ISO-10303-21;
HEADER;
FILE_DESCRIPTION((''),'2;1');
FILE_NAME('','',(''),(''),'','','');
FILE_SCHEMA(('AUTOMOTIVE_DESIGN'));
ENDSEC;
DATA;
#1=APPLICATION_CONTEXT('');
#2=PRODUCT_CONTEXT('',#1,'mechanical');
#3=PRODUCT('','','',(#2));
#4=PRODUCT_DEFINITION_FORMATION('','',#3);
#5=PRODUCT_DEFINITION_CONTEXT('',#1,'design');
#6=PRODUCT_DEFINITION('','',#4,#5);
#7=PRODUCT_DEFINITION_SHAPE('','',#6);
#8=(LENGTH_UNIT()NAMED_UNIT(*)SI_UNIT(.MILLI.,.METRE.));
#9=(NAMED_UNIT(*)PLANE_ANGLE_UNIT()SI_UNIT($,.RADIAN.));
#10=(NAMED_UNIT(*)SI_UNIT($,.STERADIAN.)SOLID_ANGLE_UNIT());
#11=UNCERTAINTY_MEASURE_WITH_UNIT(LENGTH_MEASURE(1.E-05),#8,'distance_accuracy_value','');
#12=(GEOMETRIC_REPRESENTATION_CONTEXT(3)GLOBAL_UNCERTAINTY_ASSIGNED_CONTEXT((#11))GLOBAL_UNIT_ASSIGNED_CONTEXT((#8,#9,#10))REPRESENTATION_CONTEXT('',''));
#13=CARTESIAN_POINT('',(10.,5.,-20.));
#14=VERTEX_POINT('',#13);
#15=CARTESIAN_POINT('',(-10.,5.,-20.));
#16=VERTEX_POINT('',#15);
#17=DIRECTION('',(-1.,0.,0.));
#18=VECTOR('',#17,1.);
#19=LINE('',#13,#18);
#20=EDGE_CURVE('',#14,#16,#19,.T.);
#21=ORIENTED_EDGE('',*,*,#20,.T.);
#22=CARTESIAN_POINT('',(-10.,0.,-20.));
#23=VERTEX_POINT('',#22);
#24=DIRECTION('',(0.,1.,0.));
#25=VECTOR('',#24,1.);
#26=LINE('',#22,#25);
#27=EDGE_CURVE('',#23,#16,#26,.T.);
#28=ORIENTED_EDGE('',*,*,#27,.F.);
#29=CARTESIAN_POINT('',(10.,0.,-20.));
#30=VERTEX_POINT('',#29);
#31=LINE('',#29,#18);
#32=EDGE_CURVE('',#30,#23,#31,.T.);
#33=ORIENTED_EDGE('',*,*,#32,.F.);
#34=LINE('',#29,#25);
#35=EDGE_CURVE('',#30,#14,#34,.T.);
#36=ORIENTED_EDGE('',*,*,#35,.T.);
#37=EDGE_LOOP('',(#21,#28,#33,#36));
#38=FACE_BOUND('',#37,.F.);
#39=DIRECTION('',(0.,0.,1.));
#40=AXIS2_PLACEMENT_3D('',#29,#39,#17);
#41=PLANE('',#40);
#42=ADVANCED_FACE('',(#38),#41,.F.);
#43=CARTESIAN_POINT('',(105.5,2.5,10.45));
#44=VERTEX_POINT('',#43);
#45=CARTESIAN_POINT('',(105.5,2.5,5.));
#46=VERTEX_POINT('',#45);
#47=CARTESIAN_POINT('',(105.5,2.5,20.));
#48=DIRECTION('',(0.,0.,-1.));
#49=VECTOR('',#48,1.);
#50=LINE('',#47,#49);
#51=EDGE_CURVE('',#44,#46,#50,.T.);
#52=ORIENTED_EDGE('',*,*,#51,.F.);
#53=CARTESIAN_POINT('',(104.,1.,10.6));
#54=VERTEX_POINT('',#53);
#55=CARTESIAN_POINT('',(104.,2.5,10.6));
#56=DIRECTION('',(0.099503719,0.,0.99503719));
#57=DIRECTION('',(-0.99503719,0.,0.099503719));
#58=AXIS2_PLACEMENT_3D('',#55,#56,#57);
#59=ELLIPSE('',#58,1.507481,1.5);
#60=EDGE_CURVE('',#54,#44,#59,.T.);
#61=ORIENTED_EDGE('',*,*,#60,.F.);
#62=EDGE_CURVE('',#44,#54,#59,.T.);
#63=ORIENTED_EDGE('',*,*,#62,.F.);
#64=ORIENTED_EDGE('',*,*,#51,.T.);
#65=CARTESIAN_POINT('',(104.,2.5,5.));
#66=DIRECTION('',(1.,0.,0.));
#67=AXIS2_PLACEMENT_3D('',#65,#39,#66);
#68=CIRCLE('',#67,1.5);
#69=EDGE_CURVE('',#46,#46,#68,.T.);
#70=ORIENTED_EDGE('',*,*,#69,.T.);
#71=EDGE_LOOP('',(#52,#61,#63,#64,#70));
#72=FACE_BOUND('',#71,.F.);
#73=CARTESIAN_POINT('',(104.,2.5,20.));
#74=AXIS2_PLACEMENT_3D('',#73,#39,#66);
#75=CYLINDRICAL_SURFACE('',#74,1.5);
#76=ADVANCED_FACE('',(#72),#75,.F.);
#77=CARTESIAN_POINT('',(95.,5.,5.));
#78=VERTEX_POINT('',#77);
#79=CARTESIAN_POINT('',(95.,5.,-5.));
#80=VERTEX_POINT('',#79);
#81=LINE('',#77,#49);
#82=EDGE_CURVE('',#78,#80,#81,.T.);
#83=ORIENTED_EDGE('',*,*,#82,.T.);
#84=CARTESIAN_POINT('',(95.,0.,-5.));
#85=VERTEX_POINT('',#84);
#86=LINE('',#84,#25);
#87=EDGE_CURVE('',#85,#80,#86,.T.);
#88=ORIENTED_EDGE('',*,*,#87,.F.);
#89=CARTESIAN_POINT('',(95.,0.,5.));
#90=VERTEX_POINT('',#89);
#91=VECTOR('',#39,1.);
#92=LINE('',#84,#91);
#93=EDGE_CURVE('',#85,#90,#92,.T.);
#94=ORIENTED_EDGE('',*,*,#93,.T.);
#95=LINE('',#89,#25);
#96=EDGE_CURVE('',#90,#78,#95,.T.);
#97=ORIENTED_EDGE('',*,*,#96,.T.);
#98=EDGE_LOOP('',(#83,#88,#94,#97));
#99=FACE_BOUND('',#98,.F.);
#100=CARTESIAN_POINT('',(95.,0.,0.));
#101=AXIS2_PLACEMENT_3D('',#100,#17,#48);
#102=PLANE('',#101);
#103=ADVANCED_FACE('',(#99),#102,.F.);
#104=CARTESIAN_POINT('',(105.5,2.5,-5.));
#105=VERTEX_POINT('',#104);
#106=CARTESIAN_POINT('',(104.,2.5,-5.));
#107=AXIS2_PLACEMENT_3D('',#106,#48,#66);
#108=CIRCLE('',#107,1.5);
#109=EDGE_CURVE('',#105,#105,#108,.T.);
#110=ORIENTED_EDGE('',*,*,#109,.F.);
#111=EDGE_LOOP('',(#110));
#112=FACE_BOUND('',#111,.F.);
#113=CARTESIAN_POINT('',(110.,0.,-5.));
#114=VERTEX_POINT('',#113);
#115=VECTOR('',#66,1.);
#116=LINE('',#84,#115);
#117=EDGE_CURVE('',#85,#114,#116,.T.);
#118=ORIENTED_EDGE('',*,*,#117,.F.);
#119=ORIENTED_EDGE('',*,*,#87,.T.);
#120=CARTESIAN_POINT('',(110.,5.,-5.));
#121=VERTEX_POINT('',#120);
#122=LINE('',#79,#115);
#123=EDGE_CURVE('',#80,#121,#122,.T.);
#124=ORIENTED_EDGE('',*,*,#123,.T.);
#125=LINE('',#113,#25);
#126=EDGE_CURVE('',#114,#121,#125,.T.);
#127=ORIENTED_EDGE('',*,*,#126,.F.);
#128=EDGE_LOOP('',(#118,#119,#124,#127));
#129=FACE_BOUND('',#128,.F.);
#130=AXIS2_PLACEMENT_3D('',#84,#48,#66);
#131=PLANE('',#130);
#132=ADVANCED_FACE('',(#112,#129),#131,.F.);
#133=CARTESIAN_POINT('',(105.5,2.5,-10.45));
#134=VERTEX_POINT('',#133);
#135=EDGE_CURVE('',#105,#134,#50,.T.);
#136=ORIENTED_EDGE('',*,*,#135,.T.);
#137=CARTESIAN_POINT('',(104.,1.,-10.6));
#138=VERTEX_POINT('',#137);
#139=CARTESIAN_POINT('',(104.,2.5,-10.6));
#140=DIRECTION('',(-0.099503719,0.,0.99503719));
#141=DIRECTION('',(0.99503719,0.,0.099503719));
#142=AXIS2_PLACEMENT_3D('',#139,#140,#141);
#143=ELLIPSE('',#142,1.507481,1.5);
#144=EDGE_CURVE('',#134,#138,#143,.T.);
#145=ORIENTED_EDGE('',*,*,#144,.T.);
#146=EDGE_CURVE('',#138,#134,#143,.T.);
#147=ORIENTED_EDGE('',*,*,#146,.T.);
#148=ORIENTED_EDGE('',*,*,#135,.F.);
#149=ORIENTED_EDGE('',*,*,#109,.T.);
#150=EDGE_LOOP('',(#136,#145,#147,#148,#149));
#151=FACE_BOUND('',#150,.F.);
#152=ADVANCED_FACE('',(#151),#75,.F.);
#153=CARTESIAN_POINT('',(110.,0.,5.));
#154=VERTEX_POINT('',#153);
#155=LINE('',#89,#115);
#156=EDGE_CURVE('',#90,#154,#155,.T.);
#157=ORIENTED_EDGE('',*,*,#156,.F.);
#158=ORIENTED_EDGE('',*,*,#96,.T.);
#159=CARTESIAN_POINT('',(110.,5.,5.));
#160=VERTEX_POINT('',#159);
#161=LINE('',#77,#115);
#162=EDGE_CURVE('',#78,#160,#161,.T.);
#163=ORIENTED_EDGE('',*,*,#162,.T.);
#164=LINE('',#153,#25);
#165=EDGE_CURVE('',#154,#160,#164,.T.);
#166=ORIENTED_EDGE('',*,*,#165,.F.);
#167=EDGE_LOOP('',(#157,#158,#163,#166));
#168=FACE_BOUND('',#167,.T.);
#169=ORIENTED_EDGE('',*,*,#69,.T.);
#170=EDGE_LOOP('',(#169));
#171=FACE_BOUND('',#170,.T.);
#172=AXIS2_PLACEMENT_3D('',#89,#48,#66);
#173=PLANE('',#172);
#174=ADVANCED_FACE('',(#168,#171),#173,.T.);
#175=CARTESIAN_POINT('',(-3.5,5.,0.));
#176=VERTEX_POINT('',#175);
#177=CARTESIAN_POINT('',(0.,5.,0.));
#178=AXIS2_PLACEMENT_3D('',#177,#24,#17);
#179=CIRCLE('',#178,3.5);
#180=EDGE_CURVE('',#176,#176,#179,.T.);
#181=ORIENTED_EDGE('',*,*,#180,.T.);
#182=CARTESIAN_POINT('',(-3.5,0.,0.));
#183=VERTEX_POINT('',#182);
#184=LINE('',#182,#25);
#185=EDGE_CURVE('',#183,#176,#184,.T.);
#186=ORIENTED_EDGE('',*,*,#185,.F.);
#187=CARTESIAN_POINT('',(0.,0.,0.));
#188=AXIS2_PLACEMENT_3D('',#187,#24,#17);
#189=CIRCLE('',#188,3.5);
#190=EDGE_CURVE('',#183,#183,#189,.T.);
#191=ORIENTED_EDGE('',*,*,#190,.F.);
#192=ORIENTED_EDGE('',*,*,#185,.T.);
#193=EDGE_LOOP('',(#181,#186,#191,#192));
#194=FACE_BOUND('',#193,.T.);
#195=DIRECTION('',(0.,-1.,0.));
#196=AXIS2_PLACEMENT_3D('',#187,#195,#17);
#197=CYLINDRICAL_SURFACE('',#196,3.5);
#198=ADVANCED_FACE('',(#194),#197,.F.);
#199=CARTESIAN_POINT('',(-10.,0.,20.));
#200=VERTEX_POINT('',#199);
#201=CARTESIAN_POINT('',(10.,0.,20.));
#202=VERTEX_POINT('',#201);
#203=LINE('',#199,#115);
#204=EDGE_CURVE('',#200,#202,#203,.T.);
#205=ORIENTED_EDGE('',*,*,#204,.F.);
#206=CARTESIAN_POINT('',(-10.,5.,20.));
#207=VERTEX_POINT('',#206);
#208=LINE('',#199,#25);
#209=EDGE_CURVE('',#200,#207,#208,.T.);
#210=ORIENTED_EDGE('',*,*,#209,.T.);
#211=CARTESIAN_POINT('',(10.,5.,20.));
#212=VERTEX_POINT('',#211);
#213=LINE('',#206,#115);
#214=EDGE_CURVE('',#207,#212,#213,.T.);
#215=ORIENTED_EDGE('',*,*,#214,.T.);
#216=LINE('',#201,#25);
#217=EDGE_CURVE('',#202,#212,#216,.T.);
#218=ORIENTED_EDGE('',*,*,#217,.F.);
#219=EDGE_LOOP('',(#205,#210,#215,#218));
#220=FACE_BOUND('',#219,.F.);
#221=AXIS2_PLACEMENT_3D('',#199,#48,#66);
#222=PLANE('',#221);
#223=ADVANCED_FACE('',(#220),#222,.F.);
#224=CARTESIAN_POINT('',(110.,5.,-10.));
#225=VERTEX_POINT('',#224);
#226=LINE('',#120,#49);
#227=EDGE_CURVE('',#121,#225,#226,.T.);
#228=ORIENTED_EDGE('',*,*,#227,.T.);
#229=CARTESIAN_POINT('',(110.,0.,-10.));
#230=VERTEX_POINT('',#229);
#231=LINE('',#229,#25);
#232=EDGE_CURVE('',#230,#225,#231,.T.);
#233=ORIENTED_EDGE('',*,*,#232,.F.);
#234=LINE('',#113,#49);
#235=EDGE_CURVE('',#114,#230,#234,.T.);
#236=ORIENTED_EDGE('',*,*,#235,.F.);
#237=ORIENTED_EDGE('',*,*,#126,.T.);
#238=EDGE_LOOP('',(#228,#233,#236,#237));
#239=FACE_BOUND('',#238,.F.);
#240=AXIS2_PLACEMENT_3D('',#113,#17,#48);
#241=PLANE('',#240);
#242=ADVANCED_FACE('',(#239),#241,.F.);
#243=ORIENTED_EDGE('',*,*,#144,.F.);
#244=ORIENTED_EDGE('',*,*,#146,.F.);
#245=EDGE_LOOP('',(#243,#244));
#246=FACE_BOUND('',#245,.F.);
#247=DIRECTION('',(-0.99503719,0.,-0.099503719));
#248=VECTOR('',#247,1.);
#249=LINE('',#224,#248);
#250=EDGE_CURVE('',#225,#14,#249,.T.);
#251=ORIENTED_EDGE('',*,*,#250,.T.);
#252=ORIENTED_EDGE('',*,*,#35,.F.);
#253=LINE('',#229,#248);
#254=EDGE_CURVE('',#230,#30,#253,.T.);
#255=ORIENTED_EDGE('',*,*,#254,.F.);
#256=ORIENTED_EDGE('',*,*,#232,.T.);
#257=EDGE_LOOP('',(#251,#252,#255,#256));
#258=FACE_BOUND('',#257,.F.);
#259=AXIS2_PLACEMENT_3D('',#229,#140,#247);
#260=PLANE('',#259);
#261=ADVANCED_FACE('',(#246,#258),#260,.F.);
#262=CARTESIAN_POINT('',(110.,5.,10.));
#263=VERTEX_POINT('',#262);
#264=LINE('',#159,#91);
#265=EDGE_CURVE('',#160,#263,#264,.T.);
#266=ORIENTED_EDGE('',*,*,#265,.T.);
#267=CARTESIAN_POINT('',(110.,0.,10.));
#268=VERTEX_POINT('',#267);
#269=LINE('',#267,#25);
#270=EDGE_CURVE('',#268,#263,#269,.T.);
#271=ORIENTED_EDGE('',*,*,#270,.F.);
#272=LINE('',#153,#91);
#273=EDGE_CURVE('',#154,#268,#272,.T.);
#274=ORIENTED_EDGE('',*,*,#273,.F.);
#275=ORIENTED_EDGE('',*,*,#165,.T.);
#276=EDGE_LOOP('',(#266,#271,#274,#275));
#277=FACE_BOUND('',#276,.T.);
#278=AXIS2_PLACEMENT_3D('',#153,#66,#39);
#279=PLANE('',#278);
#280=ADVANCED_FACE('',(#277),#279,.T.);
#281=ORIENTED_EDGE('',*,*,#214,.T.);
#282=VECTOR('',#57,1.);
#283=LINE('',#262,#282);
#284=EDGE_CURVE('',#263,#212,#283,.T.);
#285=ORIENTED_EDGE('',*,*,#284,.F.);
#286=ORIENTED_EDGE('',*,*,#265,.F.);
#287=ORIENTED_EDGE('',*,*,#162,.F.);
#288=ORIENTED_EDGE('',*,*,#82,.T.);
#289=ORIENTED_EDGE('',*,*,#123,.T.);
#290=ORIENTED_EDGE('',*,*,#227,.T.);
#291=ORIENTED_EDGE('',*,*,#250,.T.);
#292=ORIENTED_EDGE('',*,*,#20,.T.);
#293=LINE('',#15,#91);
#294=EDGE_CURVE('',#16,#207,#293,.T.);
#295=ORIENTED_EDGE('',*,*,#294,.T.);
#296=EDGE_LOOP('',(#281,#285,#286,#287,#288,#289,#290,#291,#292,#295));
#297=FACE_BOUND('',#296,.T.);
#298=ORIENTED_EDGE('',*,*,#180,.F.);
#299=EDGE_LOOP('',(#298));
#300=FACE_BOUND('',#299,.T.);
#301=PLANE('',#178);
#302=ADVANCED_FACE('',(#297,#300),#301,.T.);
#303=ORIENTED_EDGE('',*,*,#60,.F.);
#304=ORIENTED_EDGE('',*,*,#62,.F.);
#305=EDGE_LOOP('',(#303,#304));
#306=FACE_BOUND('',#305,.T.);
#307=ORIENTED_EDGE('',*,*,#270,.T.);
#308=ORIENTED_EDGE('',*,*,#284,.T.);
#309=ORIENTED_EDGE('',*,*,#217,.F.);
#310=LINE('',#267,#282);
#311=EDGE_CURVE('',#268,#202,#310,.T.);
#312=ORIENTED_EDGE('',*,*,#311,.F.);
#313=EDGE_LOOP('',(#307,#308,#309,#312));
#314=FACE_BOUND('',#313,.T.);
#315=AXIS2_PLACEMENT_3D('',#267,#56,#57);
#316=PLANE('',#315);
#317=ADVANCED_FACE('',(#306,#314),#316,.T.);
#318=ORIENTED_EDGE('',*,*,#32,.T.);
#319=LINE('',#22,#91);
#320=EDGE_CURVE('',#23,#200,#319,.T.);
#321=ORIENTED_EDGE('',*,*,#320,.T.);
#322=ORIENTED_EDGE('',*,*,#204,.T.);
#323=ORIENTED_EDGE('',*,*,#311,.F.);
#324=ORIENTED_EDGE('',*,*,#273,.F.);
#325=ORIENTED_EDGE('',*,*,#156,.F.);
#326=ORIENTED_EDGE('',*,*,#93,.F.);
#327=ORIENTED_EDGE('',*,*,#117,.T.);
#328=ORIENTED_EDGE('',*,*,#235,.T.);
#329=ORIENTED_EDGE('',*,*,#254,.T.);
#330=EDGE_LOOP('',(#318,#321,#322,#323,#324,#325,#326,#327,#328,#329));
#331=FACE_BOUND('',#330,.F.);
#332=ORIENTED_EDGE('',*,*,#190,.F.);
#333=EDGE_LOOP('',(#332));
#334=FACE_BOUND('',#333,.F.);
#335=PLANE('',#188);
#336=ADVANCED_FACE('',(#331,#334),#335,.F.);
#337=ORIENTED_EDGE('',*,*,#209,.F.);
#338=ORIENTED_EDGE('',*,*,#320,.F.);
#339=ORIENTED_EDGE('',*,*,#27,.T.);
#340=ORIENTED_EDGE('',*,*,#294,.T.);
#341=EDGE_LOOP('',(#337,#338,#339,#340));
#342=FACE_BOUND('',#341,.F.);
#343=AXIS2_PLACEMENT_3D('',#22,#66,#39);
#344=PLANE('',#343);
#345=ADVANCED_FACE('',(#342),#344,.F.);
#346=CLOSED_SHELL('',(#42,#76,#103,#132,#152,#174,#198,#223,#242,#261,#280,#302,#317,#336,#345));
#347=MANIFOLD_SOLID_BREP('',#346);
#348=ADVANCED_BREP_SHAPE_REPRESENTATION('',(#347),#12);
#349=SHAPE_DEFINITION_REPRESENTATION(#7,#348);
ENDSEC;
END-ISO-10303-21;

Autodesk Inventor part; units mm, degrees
ref_plane "YZ Plane" through (0, 0, 0) normal (1, 0, 0) x (0, 1, 0)
ref_plane "XZ Plane" through (0, 0, 0) normal (0, 1, 0) x (-1, 0, 0)
ref_plane "XY Plane" through (0, 0, 0) normal (0, 0, 1) x (1, 0, 0)
sketch "草圖1" plane through (0, 0, 0) normal (0, 1, 0) x (-1, 0, 0)
  circle A0 centre (0, 0) radius 3.5
  line L0 (10, 20) -> (-10, 20)
  line L1 (-10, 20) -> (-10, -20)
  line L2 (-10, -20) -> (10, -20)
  line L3 (10, -20) -> (10, 20)
  line L4 (10, 20) -> (-10, -20) construction
  line L5 (-10, 20) -> (10, -20) construction
  line L6 (-95, 0) -> (-95, 5)
  line L7 (-95, 5) -> (-95, -5)
  line L8 (-95, -5) -> (-110, -5)
  line L9 (-110, -5) -> (-110, -10)
  line L10 (-110, -10) -> (-10, -20)
  line L11 (-95, -5) -> (-95, 5)
  line L12 (-95, 5) -> (-110, 5)
  line L13 (-110, 5) -> (-110, 10)
  line L14 (-110, 10) -> (-10, 20)
  dimension "d0" = 7
  dimension "d1" = 20
  dimension "d2" = 40
  dimension "d8" = 20
  dimension "d9" = 10
  dimension "d10" = 120
  dimension "d11" = 15
extrude "擠出1" add sketch "草圖1" along normal blind 5
sketch "草圖2" plane through (-10, 0, 20) normal (0, 0, 1) x (1, 0, 0)
  line L0 (20, 0) -> (120, 0) projected
  line L1 (120, 0) -> (114, 0)
  line L2 (114, 0) -> (114, 2.5)
  circle A0 centre (114, 2.5) radius 1.5
  point P0 (10, 0)
  dimension "d14" = 6
  dimension "d15" = 2.5
  dimension "d16" = 3
extrude "擠出2" cut sketch "草圖2" against normal through all
properties part number "4. 托板"
